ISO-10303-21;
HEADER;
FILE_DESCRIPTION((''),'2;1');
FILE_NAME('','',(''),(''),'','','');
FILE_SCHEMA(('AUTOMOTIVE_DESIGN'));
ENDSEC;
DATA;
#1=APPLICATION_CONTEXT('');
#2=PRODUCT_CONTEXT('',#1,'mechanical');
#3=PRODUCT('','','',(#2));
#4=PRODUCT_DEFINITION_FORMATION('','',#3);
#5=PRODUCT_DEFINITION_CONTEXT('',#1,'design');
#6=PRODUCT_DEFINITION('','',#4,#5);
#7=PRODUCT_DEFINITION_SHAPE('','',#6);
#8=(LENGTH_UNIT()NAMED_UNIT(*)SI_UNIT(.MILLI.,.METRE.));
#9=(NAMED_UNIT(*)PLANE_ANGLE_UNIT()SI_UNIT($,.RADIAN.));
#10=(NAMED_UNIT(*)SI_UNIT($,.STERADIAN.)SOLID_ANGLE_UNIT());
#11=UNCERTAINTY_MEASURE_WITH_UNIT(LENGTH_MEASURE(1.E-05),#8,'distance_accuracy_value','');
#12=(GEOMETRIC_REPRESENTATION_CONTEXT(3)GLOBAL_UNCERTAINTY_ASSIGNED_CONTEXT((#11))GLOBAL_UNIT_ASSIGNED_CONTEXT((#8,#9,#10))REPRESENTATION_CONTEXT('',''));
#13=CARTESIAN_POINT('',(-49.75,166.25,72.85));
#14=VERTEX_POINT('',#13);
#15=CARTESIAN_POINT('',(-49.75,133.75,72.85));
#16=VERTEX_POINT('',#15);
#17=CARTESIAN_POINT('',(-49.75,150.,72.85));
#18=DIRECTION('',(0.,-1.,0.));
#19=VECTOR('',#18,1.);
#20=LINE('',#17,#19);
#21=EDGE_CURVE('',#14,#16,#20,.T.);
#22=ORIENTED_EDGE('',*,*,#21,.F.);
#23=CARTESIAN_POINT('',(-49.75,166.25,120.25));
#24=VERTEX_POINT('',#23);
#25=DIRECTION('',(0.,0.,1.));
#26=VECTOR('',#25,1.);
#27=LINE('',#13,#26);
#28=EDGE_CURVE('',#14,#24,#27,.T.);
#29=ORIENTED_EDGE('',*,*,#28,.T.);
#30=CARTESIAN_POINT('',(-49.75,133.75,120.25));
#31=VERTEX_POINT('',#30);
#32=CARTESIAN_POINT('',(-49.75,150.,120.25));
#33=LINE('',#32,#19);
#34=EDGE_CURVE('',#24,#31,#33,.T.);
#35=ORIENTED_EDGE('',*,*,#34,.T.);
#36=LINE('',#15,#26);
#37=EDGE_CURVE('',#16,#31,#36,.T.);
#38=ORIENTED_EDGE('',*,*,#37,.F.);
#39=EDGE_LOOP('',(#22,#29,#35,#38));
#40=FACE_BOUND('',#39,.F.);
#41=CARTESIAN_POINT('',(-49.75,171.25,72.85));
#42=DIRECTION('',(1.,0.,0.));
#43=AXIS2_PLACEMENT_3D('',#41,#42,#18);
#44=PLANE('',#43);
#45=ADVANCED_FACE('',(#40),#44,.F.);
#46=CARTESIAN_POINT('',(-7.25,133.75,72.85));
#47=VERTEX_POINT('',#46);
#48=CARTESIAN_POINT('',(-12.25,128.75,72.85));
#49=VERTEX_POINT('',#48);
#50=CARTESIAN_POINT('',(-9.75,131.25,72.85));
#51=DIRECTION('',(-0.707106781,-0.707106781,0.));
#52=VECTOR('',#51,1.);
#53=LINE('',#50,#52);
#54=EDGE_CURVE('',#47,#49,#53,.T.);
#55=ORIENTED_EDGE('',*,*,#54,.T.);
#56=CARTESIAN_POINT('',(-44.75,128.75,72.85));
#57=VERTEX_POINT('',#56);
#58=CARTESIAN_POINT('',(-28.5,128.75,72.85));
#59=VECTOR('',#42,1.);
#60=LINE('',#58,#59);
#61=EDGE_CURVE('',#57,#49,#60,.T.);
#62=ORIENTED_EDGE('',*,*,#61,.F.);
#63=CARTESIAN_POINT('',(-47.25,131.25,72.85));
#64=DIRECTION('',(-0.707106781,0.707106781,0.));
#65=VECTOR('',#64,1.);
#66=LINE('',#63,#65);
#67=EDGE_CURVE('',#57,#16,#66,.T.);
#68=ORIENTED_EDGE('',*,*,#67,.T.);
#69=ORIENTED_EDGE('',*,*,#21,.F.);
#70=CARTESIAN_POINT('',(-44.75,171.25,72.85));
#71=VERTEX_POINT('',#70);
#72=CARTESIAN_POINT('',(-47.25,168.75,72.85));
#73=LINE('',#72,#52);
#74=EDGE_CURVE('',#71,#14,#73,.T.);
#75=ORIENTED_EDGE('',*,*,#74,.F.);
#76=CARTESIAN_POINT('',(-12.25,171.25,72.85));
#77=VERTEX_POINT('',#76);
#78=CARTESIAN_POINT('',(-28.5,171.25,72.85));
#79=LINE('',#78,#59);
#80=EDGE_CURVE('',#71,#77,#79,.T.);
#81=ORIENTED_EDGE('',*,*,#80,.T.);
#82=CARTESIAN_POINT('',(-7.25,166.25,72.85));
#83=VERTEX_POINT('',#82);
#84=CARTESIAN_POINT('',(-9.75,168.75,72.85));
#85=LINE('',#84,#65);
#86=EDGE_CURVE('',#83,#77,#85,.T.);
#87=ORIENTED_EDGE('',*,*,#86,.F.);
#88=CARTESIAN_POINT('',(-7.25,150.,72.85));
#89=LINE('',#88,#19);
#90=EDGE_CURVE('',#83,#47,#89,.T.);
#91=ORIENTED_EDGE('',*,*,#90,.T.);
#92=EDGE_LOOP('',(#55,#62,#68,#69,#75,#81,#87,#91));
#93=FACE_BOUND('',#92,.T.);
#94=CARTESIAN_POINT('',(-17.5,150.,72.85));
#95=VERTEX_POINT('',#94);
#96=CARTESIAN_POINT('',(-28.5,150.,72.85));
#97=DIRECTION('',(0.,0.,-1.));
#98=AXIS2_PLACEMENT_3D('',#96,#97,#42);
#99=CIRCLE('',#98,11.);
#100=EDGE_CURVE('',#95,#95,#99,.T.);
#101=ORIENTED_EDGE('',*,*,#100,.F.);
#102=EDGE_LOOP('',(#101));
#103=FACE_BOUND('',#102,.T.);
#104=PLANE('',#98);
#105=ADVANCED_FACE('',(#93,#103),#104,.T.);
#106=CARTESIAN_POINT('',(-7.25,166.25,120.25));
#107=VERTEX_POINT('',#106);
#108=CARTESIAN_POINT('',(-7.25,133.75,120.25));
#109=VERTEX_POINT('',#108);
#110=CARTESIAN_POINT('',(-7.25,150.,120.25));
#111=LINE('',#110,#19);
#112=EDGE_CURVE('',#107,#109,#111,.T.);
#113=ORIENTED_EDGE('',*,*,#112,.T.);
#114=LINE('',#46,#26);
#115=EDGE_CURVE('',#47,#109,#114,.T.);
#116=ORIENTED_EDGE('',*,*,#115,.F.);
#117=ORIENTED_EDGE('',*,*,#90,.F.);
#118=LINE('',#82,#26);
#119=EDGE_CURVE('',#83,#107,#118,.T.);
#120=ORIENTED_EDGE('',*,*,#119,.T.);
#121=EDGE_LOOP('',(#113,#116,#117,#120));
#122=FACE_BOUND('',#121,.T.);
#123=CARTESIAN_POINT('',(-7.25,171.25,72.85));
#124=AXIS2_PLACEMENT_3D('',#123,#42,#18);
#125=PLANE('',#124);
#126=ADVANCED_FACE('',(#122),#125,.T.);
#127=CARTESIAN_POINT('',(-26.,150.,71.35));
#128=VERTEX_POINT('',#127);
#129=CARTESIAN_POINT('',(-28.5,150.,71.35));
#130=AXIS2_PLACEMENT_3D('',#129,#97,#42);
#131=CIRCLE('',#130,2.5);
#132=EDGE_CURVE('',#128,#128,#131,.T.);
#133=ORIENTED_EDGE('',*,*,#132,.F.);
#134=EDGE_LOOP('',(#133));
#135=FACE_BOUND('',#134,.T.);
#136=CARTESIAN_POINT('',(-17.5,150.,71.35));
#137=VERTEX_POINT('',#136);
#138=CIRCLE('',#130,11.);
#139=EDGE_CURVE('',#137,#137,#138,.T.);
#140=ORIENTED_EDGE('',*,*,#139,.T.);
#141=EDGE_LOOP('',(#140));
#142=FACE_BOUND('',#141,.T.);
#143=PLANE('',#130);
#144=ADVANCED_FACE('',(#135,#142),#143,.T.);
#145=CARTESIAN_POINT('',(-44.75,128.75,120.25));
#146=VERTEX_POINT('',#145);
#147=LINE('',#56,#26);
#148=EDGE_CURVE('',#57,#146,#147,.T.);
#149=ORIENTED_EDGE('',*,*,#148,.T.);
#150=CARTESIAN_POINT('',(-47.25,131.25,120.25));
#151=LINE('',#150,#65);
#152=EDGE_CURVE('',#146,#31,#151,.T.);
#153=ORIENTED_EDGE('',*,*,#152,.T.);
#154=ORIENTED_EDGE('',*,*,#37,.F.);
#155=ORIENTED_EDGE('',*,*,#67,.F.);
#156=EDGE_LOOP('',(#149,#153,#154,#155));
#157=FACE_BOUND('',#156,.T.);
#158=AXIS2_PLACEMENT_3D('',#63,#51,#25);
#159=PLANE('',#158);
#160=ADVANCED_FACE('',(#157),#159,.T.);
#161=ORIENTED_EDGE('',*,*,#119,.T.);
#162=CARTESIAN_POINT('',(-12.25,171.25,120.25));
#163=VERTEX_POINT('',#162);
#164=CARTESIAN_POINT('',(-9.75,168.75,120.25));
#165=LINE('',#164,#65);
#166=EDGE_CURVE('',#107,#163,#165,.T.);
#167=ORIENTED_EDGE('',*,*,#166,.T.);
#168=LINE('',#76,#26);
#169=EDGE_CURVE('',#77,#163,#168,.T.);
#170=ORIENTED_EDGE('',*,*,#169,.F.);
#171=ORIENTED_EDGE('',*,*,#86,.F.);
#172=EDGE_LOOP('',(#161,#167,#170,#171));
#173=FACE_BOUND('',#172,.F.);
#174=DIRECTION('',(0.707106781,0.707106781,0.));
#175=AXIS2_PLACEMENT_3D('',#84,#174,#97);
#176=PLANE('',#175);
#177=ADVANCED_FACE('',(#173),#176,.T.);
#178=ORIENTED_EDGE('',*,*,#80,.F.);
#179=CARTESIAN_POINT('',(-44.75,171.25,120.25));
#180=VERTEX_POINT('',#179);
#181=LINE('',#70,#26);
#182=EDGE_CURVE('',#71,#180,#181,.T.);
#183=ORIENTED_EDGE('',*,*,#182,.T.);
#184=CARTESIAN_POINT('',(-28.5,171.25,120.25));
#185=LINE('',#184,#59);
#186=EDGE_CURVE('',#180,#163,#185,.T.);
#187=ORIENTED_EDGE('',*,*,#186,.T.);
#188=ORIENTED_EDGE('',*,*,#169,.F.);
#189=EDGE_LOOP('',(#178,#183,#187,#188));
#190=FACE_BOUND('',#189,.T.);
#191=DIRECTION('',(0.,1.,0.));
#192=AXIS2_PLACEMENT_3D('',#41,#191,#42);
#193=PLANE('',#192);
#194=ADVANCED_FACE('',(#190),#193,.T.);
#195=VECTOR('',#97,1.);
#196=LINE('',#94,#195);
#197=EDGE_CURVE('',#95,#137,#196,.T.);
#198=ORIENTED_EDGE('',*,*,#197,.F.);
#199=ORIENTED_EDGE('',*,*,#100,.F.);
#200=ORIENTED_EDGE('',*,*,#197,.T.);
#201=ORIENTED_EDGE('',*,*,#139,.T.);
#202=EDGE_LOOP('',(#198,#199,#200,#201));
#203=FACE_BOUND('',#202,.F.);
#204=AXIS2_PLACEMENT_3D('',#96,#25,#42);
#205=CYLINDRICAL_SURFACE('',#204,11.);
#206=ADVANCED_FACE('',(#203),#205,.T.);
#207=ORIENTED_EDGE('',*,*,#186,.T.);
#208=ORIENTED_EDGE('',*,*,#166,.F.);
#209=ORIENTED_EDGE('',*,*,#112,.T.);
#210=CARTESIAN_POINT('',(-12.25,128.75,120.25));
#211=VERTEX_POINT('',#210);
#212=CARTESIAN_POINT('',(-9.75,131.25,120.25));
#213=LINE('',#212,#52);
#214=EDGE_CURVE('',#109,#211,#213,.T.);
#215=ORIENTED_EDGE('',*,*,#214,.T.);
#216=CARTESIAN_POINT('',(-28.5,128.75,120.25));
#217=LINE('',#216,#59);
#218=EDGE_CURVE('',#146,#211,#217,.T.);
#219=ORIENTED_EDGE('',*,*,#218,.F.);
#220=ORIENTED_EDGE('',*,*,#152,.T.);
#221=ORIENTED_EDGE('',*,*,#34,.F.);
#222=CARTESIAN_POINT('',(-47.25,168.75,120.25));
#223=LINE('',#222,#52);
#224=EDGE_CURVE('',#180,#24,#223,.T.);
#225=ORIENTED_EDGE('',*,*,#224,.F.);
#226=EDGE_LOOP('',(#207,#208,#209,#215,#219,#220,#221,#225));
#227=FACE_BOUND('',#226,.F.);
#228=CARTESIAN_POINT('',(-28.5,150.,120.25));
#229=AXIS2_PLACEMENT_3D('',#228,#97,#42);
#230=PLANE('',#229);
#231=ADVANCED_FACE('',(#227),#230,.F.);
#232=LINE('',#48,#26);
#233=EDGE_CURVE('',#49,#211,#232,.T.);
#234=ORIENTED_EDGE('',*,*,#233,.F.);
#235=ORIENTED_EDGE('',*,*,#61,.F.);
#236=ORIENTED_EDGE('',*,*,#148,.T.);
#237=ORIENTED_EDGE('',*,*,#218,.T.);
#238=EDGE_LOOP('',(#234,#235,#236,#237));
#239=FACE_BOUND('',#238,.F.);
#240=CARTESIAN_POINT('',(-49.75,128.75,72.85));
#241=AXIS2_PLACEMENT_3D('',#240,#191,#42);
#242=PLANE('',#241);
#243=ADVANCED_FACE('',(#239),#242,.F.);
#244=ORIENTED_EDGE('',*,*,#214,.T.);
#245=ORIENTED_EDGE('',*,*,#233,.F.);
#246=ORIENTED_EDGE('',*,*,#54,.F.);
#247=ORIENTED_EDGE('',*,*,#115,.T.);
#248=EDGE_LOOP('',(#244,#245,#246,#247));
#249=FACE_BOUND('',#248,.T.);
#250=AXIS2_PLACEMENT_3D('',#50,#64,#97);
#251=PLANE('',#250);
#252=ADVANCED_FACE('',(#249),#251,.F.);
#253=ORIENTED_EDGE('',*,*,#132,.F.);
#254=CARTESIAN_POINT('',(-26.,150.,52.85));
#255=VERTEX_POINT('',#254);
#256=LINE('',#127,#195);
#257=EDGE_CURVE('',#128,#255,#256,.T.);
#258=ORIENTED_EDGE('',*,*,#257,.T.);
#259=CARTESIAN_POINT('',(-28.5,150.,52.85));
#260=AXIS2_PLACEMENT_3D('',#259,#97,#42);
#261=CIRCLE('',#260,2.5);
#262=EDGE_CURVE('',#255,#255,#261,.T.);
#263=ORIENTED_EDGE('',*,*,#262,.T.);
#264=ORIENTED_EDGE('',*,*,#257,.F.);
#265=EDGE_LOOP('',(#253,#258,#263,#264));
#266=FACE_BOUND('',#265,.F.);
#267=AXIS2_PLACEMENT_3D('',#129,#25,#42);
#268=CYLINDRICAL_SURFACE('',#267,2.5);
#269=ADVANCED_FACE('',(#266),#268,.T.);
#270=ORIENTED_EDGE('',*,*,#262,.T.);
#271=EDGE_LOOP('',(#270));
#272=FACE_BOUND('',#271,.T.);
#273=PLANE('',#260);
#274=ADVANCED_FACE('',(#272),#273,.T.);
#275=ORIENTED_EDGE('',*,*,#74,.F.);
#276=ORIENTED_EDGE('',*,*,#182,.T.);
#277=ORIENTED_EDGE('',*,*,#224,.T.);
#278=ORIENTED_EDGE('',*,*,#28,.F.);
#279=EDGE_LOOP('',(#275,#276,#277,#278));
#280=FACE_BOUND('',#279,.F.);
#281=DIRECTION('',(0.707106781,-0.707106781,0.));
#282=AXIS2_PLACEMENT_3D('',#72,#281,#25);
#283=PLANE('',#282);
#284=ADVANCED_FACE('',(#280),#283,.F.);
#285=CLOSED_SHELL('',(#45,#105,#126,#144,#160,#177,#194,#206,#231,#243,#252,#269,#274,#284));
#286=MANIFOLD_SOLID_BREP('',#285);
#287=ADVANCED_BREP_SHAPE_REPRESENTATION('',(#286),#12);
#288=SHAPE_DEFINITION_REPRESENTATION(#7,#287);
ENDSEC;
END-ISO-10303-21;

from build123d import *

# Parameters (mm, degrees)
SKETCH039_W        = 42.5
SKETCH039_H        = 42.5
PAD011_DEPTH       = 47.4
CHAMFER005_SIZE    = 5
CHAMFER004_SIZE    = 5
CHAMFER006_SIZE    = 5
CHAMFER007_SIZE    = 5
SKETCH041_R        = 11
PAD012_DEPTH       = 1.5
SKETCH040_R        = 2.5
PAD010_DEPTH       = 18.5
BODY008_ROLL_ANGLE = 90


with BuildPart() as part:
    # Sketch039 → Pad011 (new body)
    with BuildSketch(Plane.XZ):
        Rectangle(SKETCH039_W, SKETCH039_H)
    extrude(amount=-PAD011_DEPTH)

    # Chamfer005
    chamfer005_edges = [part.edges().sort_by_distance(p)[0] for p in [
        (21.25, 23.7, 21.25),
    ]]
    chamfer(chamfer005_edges, length=CHAMFER005_SIZE)

    # Chamfer004
    chamfer004_edges = [part.edges().sort_by_distance(p)[0] for p in [
        (-21.25, 23.7, 21.25),
    ]]
    chamfer(chamfer004_edges, length=CHAMFER004_SIZE)

    # Chamfer006
    chamfer006_edges = [part.edges().sort_by_distance(p)[0] for p in [
        (21.25, 23.7, -21.25),
    ]]
    chamfer(chamfer006_edges, length=CHAMFER006_SIZE)

    # Chamfer007
    chamfer007_edges = [part.edges().sort_by_distance(p)[0] for p in [
        (-21.25, 23.7, -21.25),
    ]]
    chamfer(chamfer007_edges, length=CHAMFER007_SIZE)

    # Sketch041 (on Face1 of Chamfer007) → Pad012 (join)
    with BuildSketch(Plane.XZ):
        Circle(SKETCH041_R)
    extrude(amount=PAD012_DEPTH)

    # Sketch040 (on Face12 of Pad012) → Pad010 (join)
    with BuildSketch(Plane.XZ.offset(1.5)):
        Circle(SKETCH040_R)
    extrude(amount=PAD010_DEPTH)


with BuildPart() as part_1:
    # Body008 roll: moved
    add(part.part.rotate(Axis((0, 0, 0), (1, 0, 0)), BODY008_ROLL_ANGLE))


with BuildPart() as part_2:
    # Body008 placement: moved
    add(part_1.part.moved(Location((-28.5, 150, 72.85))))


solid = part_2.part
